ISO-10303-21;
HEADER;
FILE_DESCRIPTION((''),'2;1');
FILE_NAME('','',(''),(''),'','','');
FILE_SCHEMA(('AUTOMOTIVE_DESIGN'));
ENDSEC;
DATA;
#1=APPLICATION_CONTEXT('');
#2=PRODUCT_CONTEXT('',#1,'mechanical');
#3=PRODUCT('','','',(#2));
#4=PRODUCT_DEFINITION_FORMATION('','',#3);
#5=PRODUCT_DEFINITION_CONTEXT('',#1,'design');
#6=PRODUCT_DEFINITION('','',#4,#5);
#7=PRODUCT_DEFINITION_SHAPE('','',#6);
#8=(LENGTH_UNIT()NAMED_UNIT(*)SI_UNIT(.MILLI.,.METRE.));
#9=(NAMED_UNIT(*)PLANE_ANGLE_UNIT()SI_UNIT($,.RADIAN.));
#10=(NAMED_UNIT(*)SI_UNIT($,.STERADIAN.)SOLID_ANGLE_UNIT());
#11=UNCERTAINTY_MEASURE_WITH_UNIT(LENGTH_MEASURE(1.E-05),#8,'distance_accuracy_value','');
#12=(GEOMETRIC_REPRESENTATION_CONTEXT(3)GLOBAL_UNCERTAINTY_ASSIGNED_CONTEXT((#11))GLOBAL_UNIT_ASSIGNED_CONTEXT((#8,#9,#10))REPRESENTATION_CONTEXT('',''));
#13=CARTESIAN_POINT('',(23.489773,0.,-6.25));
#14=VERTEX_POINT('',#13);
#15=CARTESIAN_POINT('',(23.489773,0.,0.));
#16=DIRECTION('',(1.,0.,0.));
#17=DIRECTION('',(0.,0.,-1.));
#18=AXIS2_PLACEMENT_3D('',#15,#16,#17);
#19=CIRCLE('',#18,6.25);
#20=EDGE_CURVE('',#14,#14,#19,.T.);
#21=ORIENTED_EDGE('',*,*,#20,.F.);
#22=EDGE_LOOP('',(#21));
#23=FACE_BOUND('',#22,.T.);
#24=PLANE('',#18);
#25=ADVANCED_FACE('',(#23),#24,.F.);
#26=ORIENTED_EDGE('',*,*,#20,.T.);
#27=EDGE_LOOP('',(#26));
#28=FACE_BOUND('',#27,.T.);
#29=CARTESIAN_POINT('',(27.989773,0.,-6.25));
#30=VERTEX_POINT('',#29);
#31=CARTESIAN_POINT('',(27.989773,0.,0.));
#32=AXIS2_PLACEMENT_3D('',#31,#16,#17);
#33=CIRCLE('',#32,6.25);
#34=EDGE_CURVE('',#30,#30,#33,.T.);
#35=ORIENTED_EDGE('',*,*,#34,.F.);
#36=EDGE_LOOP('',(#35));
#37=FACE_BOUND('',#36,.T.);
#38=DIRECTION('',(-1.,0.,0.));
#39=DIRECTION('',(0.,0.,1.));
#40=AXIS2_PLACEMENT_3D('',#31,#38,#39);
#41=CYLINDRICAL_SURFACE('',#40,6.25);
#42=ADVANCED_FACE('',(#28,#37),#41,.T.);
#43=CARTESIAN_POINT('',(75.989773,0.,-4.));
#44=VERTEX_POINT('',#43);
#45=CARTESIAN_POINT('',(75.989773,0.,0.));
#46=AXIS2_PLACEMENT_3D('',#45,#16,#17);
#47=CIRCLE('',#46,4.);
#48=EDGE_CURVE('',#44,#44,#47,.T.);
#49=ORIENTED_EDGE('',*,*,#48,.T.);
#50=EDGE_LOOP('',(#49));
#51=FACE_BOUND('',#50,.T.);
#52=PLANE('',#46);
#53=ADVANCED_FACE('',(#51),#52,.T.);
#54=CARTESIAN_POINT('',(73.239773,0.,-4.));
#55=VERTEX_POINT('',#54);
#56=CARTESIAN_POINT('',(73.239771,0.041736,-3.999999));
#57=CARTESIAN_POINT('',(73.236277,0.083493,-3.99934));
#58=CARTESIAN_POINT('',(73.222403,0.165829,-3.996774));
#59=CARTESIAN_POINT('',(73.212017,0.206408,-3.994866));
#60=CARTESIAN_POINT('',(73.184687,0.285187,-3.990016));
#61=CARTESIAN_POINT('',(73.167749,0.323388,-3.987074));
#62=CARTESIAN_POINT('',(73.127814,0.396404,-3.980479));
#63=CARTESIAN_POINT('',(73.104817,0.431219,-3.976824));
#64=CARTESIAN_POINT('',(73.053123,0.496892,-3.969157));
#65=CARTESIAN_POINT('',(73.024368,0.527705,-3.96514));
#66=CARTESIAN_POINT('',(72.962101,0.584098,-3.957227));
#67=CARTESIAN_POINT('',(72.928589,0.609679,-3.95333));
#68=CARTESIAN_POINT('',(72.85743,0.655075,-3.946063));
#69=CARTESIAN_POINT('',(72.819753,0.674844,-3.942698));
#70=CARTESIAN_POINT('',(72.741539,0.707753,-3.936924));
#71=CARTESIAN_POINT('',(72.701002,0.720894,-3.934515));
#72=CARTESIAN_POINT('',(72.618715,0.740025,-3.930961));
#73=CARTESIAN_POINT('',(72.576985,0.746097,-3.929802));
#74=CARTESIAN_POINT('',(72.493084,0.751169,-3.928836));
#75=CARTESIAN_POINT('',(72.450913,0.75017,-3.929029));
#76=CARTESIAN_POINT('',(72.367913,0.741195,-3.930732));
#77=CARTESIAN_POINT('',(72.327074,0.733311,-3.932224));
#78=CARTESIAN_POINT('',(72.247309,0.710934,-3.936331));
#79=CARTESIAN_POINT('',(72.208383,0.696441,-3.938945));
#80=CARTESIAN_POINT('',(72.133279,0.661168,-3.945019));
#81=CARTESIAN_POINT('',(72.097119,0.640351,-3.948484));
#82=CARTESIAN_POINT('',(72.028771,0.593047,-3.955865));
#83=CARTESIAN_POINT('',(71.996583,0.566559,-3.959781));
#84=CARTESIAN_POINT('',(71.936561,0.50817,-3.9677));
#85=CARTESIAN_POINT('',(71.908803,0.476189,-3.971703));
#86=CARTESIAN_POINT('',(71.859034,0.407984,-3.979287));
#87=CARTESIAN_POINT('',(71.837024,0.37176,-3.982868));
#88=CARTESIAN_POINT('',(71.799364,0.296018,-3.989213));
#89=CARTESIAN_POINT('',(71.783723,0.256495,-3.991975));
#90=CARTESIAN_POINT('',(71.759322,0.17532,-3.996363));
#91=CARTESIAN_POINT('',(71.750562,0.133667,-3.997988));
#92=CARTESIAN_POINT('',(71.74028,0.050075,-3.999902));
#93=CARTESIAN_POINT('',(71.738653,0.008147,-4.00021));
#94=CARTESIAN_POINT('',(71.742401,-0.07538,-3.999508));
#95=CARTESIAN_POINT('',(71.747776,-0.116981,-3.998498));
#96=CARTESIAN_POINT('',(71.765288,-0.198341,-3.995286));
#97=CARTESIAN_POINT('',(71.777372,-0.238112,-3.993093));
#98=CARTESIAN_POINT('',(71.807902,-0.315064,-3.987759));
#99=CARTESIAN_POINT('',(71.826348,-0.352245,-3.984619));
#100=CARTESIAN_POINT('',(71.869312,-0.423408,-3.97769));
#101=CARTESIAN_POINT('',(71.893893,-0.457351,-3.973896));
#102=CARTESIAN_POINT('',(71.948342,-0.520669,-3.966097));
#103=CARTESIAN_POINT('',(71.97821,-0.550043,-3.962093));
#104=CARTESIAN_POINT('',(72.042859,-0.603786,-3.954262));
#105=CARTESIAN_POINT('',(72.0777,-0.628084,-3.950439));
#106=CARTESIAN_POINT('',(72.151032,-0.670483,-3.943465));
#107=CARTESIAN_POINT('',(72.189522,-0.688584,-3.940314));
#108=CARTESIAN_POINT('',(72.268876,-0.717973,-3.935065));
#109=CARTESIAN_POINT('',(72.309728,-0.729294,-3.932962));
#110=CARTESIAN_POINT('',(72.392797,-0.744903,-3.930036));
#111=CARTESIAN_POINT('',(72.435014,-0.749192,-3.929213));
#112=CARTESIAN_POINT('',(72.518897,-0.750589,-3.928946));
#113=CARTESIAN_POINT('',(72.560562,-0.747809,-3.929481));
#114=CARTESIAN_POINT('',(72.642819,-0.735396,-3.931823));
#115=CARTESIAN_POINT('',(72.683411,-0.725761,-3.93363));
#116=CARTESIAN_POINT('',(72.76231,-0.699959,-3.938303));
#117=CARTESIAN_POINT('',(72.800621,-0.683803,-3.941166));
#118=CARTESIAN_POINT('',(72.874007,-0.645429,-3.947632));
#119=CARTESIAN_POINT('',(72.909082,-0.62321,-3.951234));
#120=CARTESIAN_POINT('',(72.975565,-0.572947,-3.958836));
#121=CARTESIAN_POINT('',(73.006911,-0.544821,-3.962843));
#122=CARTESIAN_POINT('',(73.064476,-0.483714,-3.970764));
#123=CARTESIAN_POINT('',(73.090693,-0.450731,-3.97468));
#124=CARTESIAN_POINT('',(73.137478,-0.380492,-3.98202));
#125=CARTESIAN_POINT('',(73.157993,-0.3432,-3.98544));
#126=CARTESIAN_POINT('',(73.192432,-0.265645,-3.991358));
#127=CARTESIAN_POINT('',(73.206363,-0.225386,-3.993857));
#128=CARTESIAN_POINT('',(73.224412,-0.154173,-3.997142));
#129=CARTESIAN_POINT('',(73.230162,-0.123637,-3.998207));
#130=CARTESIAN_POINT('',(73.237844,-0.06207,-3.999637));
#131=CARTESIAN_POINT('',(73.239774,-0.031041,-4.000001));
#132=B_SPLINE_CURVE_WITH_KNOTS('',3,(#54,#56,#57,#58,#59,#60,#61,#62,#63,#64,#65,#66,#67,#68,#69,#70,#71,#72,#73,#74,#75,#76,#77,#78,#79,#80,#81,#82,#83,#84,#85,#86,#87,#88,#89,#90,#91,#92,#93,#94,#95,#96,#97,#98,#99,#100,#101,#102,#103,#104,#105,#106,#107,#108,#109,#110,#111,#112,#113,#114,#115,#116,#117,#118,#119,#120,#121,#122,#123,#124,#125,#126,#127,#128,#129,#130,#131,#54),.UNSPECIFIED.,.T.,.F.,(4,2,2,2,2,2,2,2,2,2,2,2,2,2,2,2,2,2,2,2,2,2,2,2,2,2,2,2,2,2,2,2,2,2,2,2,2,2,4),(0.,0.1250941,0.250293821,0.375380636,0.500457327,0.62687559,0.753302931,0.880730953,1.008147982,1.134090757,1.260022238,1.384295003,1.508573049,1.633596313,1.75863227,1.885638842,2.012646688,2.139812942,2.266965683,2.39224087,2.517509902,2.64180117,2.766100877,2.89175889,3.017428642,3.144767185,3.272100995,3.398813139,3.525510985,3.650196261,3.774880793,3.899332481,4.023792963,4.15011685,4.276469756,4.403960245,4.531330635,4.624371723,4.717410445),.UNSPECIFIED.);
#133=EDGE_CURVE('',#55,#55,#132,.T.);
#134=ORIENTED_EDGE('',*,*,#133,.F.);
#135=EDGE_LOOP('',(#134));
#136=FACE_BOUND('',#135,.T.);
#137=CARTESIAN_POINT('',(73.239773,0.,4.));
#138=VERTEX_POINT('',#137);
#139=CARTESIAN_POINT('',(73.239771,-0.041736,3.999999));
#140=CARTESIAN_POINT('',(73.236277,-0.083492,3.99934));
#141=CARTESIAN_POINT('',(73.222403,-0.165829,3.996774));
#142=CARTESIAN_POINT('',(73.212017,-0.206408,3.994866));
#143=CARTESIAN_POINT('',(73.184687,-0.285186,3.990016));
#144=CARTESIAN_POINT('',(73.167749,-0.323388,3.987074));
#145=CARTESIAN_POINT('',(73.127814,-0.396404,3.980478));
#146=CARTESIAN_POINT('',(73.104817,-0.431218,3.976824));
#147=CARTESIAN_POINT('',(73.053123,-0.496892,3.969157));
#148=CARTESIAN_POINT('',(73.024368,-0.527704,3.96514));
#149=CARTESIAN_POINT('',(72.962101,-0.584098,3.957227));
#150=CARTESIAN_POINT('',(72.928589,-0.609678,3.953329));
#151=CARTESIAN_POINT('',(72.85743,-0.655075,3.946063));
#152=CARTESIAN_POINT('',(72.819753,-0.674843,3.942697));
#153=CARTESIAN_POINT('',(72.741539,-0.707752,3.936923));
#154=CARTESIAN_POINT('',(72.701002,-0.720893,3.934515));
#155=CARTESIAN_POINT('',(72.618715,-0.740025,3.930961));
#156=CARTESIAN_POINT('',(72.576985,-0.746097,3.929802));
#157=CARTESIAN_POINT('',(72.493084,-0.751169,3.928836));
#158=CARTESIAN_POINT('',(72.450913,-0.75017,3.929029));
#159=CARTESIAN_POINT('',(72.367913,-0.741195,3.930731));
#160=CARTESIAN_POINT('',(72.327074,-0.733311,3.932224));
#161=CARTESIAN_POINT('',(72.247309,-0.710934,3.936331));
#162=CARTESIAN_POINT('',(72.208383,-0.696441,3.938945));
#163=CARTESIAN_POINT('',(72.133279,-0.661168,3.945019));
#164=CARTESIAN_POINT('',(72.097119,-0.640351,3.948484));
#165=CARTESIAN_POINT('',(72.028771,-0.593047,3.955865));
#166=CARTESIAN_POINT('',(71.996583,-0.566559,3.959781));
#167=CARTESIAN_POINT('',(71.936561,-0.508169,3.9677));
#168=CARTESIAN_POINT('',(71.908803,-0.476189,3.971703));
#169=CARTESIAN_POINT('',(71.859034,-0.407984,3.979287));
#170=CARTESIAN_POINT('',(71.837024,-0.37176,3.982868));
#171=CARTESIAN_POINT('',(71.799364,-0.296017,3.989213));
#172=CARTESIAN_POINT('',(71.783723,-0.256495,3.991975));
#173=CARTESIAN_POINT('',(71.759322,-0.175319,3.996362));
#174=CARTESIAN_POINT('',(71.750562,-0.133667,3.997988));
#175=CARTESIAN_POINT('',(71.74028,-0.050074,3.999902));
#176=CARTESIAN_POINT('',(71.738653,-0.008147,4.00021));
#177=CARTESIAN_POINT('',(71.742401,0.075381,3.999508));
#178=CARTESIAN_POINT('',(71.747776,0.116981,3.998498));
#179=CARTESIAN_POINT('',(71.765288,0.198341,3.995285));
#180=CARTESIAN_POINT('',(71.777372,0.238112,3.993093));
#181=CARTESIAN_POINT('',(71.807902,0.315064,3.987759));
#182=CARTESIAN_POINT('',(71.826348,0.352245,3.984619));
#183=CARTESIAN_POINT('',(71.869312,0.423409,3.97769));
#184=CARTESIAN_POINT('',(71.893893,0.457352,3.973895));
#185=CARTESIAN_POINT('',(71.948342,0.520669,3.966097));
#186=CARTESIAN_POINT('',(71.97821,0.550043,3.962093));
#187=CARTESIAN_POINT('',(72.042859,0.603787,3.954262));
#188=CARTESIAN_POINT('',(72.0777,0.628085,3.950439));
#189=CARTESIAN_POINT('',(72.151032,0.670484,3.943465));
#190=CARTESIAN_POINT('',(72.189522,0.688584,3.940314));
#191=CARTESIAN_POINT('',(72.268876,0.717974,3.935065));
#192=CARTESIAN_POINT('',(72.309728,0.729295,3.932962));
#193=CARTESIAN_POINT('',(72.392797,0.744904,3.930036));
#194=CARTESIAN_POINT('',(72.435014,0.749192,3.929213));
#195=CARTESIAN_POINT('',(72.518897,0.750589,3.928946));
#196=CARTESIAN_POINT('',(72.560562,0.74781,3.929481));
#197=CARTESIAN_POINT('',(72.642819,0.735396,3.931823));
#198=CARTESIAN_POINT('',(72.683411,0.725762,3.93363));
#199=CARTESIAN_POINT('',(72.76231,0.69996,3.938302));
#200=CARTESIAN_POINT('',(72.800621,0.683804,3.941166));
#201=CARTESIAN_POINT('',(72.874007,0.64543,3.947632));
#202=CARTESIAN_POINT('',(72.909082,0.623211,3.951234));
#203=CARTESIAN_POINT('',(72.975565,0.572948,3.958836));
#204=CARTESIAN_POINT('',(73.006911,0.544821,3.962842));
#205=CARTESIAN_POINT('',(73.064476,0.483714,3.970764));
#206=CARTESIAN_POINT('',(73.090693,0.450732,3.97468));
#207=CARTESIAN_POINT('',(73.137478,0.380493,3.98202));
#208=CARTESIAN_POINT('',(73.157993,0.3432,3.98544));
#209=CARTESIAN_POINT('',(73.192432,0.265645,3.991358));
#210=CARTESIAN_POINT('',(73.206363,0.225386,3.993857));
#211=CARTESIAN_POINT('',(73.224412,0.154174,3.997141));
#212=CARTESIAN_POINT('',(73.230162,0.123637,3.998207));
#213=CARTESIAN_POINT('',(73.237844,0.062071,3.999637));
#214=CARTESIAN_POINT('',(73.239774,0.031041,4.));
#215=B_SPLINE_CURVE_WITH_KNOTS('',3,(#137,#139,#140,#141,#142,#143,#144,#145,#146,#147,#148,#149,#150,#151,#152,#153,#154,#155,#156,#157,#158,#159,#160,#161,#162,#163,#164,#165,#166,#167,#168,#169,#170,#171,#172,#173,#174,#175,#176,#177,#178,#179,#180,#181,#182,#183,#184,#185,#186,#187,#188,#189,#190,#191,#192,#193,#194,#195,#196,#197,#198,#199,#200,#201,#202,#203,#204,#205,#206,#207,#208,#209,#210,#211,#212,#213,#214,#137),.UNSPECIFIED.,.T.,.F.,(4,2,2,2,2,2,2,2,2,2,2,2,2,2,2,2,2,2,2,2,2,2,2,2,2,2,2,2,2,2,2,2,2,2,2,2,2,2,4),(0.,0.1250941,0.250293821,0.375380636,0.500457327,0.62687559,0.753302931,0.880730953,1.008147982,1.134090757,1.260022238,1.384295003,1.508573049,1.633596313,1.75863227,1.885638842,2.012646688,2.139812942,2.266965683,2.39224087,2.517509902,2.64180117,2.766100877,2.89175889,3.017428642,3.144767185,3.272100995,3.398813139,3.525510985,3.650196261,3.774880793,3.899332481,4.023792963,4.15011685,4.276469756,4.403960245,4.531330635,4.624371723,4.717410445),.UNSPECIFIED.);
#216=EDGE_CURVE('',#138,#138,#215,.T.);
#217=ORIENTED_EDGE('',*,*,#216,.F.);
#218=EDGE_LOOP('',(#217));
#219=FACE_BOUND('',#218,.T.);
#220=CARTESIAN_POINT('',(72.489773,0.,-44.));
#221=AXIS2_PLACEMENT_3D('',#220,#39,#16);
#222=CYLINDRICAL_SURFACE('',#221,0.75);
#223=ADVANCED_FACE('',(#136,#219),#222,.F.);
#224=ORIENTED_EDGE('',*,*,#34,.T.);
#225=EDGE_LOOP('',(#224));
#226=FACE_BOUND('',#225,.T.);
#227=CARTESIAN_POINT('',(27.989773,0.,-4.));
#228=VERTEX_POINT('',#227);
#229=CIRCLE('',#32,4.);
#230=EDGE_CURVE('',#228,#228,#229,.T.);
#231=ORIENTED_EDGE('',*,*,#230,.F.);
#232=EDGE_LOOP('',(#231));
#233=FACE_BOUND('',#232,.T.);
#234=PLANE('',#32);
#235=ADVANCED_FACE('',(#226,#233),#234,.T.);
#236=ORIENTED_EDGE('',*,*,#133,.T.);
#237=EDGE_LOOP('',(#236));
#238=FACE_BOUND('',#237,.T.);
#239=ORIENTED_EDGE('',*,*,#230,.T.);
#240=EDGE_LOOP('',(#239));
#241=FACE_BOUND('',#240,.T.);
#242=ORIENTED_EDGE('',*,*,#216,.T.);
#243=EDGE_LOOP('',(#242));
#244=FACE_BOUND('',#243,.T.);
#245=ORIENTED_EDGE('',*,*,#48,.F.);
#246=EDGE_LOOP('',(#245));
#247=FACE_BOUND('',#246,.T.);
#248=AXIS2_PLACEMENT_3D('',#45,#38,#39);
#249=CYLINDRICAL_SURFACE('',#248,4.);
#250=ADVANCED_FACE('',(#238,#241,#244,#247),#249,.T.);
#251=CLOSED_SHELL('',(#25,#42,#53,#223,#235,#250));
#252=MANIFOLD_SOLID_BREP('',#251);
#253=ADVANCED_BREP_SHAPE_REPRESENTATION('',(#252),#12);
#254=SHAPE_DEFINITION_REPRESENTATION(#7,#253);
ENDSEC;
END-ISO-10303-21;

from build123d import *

# Parameters (mm, degrees)
SKETCH1_R           = 12.5
BOSS_EXTRUDE1_DEPTH = 9
SKETCH2_R           = 8
BOSS_EXTRUDE2_DEPTH = 96
SKETCH4_R           = 1.5
CUT_EXTRUDE1_DEPTH  = 96
ESCALA1_SCALE       = 0.5


with BuildPart() as part:
    # Sketch1 → Boss-Extrude1 (new body)
    with BuildSketch(Plane(origin=(0, 0, 0), x_dir=(0, 0, -1), z_dir=(1, 0, 0))):
        Circle(SKETCH1_R)
    extrude(amount=BOSS_EXTRUDE1_DEPTH)

    # Sketch2 → Boss-Extrude2 (add)
    with BuildSketch(Plane(origin=(9, 0, 0), x_dir=(0, 0, -1), z_dir=(1, 0, 0))):
        Circle(SKETCH2_R)
    extrude(amount=BOSS_EXTRUDE2_DEPTH)

    # Sketch4 → Cut-Extrude1 (cut)
    with BuildSketch(Plane.XY.offset(8)):
        with Locations((98, 0)):
            Circle(SKETCH4_R)
    extrude(amount=-CUT_EXTRUDE1_DEPTH, mode=Mode.SUBTRACT)


with BuildPart() as part_1:
    # Escala1: scaled about (46.97958084, -3.1e-08, 3.35e-07)
    add(part.part.scale(ESCALA1_SCALE).moved(Location((23.48979042, -1.5e-08, 1.68e-07))))


solid = part_1.part
